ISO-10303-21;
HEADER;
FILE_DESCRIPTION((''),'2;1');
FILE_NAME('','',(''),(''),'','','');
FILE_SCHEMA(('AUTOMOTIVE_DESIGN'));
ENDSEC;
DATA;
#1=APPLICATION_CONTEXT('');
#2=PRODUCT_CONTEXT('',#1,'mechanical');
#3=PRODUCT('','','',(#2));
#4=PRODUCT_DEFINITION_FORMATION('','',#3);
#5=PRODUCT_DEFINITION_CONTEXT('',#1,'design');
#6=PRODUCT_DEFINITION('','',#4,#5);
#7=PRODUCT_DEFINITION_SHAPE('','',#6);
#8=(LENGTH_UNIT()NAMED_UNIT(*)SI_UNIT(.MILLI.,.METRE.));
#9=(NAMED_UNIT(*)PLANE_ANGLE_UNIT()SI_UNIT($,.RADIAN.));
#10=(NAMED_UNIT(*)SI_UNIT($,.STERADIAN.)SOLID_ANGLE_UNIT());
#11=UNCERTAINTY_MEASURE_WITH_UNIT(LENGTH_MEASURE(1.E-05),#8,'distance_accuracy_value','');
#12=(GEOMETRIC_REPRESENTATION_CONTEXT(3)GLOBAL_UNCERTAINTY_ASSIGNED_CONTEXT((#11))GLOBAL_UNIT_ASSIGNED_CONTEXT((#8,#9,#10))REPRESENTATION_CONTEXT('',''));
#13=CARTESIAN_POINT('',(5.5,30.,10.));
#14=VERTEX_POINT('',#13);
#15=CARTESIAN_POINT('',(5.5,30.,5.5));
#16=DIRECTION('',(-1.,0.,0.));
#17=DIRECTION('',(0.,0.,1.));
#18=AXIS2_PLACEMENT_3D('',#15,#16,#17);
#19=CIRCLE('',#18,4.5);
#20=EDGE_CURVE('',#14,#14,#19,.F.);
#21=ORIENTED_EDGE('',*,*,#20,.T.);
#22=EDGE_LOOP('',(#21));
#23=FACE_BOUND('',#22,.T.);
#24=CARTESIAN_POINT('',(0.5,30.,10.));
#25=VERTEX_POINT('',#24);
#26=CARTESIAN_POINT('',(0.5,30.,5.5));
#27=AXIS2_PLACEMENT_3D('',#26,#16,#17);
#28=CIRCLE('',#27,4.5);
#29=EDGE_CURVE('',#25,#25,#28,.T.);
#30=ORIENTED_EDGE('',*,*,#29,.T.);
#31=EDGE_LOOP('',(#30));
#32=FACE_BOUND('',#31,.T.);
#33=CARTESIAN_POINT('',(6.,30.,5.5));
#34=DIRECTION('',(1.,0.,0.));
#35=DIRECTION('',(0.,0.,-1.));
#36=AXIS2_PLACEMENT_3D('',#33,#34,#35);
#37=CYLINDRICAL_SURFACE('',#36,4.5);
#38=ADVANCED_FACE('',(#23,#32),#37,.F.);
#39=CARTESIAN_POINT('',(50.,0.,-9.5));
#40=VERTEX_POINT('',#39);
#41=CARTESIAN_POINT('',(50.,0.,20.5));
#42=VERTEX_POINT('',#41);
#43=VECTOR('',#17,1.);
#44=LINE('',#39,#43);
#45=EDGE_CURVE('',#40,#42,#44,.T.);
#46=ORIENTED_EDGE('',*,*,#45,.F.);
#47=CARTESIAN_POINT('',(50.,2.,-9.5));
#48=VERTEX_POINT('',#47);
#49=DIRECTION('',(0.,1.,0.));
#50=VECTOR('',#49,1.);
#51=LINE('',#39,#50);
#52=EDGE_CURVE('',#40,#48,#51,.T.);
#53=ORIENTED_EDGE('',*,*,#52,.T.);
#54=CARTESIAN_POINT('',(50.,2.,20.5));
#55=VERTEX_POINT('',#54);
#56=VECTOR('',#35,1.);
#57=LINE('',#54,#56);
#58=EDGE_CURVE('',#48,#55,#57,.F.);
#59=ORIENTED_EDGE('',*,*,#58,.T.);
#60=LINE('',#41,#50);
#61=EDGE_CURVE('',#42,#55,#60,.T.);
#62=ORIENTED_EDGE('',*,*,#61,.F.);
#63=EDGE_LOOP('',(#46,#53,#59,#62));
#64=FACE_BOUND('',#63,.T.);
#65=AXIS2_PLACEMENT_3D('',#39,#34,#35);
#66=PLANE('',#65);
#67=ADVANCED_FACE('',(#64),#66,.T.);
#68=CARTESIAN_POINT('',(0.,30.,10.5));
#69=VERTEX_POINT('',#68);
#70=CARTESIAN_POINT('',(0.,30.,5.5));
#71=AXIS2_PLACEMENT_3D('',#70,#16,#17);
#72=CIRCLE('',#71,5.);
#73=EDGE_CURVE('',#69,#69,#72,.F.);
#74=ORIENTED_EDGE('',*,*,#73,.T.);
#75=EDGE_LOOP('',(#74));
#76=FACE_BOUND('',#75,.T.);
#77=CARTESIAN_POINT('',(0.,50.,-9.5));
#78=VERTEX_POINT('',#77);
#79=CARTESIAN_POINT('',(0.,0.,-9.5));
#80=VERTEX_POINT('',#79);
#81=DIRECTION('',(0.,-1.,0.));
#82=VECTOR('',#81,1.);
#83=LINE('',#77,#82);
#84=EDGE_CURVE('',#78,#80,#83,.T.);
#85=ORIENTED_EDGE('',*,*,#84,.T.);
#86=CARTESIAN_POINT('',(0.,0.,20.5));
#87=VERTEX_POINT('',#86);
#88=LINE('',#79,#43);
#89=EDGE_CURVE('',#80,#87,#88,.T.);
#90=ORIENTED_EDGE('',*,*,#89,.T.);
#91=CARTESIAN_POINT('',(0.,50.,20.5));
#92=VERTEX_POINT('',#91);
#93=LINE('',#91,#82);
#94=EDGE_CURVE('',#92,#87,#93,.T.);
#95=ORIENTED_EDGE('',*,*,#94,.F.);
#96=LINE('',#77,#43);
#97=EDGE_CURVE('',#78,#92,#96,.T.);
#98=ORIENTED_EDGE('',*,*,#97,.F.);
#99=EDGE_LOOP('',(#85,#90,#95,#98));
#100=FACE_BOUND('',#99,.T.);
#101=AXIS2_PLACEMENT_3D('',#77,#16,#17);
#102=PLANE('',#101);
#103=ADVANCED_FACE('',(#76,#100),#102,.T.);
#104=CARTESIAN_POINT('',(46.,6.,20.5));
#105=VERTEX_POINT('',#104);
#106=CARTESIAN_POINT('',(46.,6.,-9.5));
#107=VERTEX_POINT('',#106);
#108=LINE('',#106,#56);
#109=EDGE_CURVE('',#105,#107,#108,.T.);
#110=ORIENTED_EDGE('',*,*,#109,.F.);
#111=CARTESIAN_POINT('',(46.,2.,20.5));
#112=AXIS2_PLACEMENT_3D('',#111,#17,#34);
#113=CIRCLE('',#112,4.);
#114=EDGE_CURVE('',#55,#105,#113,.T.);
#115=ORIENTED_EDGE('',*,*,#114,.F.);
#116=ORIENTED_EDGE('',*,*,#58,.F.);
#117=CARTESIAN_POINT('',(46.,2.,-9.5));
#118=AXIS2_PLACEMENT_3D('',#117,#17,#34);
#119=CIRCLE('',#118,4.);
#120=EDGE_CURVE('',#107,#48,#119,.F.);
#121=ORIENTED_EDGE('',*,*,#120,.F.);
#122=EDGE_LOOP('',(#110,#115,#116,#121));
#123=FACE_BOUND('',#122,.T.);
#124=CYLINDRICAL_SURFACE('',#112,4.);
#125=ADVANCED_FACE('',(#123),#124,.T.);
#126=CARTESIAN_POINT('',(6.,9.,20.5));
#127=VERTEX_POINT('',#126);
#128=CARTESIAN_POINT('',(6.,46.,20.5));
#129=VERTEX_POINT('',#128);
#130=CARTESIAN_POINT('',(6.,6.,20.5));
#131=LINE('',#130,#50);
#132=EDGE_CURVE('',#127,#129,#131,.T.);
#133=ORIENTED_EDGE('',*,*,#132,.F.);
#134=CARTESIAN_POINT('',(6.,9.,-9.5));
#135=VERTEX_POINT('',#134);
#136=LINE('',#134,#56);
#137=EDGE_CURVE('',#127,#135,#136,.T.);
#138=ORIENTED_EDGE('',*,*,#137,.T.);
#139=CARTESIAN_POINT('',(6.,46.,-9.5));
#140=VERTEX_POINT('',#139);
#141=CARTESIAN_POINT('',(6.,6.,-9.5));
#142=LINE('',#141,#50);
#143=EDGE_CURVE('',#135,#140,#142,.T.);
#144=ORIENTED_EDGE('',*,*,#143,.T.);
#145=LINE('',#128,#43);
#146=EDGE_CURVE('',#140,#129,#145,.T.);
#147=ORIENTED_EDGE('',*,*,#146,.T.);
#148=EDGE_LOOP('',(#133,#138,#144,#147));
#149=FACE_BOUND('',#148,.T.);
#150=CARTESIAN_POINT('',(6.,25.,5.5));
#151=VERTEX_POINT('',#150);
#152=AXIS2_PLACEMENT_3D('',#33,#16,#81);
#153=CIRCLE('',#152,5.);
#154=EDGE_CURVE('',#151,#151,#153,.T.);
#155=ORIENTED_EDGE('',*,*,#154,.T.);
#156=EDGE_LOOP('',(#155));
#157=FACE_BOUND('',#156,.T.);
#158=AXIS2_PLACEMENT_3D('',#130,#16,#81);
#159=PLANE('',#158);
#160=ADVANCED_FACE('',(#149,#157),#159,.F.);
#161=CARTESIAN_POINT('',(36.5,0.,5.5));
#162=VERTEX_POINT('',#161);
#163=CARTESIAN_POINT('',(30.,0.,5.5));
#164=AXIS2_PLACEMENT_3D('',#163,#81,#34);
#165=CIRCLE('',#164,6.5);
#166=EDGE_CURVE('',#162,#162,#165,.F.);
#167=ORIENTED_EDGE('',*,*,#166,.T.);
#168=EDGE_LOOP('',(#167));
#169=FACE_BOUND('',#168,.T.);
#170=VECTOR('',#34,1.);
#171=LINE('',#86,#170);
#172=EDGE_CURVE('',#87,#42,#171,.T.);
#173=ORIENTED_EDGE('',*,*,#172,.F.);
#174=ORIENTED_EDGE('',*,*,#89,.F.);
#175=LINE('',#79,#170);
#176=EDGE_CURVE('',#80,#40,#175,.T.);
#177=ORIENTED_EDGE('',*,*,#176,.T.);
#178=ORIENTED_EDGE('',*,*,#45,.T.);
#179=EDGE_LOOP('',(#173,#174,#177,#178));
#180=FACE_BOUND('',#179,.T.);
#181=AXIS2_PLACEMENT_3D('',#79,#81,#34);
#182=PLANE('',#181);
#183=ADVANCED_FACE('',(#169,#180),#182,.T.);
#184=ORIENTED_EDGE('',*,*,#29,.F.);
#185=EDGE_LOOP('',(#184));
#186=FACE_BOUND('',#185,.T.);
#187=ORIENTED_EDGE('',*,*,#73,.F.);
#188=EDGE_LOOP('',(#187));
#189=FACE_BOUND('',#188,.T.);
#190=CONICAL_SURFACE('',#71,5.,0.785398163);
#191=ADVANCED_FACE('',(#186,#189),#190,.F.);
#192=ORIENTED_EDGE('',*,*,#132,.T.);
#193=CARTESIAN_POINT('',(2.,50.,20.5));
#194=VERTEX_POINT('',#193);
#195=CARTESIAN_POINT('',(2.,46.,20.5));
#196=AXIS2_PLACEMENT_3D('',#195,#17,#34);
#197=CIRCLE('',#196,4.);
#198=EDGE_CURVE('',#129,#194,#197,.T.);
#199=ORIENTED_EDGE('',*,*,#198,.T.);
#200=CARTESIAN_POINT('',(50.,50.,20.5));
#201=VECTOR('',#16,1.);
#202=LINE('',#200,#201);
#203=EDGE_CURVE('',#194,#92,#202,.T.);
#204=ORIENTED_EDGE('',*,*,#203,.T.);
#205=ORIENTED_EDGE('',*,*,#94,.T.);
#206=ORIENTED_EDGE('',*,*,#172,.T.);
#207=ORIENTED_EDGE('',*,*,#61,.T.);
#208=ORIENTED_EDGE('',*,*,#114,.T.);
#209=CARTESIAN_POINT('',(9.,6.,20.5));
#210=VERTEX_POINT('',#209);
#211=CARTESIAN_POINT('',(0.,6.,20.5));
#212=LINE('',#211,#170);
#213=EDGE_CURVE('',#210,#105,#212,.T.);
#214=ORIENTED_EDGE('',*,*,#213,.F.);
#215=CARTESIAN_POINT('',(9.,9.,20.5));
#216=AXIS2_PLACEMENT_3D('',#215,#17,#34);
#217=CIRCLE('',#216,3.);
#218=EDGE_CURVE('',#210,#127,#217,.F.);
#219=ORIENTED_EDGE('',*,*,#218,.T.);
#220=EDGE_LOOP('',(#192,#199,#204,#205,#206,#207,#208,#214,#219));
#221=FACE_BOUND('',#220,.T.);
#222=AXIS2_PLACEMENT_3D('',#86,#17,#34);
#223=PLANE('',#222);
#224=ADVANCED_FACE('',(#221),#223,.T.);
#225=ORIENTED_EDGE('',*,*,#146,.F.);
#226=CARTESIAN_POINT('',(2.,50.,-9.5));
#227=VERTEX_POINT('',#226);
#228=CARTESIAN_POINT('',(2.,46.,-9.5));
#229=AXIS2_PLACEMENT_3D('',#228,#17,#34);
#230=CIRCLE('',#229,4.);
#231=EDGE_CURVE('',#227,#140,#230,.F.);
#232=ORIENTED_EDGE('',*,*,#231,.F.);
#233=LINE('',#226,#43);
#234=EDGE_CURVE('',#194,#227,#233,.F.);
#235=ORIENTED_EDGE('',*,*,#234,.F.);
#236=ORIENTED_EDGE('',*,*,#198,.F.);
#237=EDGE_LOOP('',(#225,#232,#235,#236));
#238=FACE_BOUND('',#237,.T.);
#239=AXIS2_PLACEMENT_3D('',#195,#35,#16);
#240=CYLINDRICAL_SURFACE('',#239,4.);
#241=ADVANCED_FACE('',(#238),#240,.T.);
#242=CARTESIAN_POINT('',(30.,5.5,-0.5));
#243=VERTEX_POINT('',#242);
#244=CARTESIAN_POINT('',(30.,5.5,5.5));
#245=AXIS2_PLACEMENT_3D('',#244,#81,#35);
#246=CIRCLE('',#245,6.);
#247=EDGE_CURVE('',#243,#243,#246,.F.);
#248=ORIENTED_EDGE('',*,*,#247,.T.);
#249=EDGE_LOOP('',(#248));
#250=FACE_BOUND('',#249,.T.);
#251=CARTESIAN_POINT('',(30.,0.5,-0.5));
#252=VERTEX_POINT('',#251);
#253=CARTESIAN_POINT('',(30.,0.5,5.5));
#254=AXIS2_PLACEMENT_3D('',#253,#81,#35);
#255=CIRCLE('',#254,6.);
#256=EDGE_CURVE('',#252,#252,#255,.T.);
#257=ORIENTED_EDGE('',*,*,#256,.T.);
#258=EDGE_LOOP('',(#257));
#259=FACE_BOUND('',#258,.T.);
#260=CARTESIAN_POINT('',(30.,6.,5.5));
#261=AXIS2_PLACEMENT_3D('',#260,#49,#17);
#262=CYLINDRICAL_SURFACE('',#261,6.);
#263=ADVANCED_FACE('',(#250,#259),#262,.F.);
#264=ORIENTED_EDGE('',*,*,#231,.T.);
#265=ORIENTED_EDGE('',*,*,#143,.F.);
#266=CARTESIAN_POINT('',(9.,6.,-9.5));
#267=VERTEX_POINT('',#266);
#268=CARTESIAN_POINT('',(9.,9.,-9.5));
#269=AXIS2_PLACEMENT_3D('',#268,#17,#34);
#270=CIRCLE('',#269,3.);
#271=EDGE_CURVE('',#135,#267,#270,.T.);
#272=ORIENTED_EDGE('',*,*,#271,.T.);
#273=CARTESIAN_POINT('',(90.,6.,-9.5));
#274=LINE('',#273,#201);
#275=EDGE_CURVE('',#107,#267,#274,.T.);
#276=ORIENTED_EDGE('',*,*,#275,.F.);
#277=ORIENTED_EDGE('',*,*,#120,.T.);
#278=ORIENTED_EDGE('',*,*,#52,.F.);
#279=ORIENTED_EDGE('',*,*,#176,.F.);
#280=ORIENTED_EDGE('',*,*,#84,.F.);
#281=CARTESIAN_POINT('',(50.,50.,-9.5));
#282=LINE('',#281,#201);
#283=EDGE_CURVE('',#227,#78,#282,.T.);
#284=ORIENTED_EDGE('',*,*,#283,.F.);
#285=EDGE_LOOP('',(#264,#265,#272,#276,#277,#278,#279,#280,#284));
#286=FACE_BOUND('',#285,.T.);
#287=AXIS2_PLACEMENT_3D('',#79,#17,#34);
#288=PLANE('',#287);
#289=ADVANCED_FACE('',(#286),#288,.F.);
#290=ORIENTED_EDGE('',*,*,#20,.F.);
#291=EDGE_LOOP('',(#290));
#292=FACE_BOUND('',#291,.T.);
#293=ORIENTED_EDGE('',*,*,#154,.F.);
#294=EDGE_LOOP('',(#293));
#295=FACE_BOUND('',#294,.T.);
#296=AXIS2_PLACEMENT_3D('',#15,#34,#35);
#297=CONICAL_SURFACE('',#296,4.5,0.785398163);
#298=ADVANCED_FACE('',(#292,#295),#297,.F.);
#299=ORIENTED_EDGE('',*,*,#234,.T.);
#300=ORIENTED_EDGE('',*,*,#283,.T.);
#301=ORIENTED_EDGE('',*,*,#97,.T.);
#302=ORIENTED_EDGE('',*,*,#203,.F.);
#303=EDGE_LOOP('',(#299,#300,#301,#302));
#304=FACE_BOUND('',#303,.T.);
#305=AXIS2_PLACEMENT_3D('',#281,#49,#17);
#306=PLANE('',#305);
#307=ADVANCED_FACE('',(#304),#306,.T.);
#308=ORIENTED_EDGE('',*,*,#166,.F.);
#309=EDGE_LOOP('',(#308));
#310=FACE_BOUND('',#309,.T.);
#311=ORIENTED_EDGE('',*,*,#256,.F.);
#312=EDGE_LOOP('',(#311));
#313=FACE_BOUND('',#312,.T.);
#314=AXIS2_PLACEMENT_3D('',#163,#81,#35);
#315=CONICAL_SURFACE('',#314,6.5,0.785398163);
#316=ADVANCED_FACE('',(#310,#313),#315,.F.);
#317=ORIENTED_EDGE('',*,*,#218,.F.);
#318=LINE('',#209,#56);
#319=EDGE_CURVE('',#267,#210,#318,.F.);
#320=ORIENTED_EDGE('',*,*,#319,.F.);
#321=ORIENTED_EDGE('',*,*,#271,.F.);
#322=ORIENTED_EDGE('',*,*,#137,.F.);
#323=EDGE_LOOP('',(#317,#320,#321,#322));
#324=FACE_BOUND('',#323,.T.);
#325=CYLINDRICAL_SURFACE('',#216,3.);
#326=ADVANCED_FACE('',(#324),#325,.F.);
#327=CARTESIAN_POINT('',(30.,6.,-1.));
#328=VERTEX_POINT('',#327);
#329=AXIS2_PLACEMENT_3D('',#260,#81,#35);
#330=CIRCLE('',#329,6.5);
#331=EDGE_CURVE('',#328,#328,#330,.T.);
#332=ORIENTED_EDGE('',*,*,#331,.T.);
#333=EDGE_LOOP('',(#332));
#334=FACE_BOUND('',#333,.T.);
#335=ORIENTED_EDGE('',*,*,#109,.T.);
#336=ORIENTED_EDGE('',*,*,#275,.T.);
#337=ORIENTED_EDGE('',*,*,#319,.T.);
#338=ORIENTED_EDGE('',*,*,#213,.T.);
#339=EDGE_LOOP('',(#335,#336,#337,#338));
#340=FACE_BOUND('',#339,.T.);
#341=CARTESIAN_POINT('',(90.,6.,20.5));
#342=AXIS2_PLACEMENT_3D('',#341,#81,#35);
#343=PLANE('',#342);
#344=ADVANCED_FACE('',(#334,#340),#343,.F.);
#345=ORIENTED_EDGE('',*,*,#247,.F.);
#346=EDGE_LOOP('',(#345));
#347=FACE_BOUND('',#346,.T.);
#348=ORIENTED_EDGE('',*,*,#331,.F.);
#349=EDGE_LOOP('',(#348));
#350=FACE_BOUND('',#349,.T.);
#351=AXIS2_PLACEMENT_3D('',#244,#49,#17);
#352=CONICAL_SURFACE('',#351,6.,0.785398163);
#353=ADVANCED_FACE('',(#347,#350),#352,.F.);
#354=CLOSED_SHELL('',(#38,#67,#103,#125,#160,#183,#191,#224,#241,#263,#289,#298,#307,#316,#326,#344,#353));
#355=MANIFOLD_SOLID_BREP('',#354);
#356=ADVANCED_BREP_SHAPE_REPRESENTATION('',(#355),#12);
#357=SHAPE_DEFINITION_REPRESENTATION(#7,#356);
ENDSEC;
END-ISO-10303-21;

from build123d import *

# Parameters (mm, degrees)
ESQUISSE1_W                     = 50
ESQUISSE1_H                     = 50
BOSS_EXTRU_1_DEPTH              = 30
ESQUISSE2_W                     = 84
ESQUISSE2_H                     = 84
ENL_V_MAT_EXTRU_1_DEPTH         = 77.811457479
DIAM_TRE_DU_PER_AGE_12_0_12_1_D = 12
DIAM_TRE_DU_PER_AGE_9_0_9_2_D   = 9
CHANFREIN1_SIZE                 = 0.5
CONG_1_R                        = 3
CONG_2_R                        = 4.00000002


with BuildPart() as part:
    # Esquisse1 → Boss.-Extru.1 (new body)
    with BuildSketch(Plane.XY.offset(20.5)):
        with Locations((25, 25)):
            Rectangle(ESQUISSE1_W, ESQUISSE1_H)
    extrude(amount=-BOSS_EXTRU_1_DEPTH)

    # Esquisse2 → Enlèv. mat.-Extru.1 (cut, through all)
    with BuildSketch(Plane(origin=(0, 0, -9.5), x_dir=(-1, 0, 0), z_dir=(0, 0, -1))):
        with Locations((-48, 48)):
            Rectangle(ESQUISSE2_W, ESQUISSE2_H)
    extrude(amount=-ENL_V_MAT_EXTRU_1_DEPTH, mode=Mode.SUBTRACT)

    # Diamètre du perçage Ø12.0 (12)1 (through all)
    with Locations(Plane(origin=(0, 6, 0), x_dir=(1, 0, 0), z_dir=(0, 1, 0))):
        with Locations((30, -5.5)):
            Hole(DIAM_TRE_DU_PER_AGE_12_0_12_1_D / 2)

    # Diamètre du perçage Ø9.0 (9)2 (through all)
    with Locations(Plane(origin=(6, 0, 0), x_dir=(0, 0, -1), z_dir=(1, 0, 0))):
        with Locations((-5.5, 30)):
            Hole(DIAM_TRE_DU_PER_AGE_9_0_9_2_D / 2)

    # Chanfrein1
    chanfrein1_edges = [part.edges().sort_by_distance(p)[0] for p in [
        (36, 6, 5.5),
        (36, 0, 5.5),
        (6, 30, 1),
        (0, 30, 1),
    ]]
    chamfer(chanfrein1_edges, length=CHANFREIN1_SIZE)

    # Congé1
    cong_1_edges = [part.edges().sort_by_distance(p)[0] for p in [
        (6, 6, 5.5),
    ]]
    fillet(cong_1_edges, radius=CONG_1_R)

    # Congé2
    cong_2_edges = [part.edges().sort_by_distance(p)[0] for p in [
        (50, 6, 5.5),
        (6, 50, 5.5),
    ]]
    fillet(cong_2_edges, radius=CONG_2_R)


solid = part.part
